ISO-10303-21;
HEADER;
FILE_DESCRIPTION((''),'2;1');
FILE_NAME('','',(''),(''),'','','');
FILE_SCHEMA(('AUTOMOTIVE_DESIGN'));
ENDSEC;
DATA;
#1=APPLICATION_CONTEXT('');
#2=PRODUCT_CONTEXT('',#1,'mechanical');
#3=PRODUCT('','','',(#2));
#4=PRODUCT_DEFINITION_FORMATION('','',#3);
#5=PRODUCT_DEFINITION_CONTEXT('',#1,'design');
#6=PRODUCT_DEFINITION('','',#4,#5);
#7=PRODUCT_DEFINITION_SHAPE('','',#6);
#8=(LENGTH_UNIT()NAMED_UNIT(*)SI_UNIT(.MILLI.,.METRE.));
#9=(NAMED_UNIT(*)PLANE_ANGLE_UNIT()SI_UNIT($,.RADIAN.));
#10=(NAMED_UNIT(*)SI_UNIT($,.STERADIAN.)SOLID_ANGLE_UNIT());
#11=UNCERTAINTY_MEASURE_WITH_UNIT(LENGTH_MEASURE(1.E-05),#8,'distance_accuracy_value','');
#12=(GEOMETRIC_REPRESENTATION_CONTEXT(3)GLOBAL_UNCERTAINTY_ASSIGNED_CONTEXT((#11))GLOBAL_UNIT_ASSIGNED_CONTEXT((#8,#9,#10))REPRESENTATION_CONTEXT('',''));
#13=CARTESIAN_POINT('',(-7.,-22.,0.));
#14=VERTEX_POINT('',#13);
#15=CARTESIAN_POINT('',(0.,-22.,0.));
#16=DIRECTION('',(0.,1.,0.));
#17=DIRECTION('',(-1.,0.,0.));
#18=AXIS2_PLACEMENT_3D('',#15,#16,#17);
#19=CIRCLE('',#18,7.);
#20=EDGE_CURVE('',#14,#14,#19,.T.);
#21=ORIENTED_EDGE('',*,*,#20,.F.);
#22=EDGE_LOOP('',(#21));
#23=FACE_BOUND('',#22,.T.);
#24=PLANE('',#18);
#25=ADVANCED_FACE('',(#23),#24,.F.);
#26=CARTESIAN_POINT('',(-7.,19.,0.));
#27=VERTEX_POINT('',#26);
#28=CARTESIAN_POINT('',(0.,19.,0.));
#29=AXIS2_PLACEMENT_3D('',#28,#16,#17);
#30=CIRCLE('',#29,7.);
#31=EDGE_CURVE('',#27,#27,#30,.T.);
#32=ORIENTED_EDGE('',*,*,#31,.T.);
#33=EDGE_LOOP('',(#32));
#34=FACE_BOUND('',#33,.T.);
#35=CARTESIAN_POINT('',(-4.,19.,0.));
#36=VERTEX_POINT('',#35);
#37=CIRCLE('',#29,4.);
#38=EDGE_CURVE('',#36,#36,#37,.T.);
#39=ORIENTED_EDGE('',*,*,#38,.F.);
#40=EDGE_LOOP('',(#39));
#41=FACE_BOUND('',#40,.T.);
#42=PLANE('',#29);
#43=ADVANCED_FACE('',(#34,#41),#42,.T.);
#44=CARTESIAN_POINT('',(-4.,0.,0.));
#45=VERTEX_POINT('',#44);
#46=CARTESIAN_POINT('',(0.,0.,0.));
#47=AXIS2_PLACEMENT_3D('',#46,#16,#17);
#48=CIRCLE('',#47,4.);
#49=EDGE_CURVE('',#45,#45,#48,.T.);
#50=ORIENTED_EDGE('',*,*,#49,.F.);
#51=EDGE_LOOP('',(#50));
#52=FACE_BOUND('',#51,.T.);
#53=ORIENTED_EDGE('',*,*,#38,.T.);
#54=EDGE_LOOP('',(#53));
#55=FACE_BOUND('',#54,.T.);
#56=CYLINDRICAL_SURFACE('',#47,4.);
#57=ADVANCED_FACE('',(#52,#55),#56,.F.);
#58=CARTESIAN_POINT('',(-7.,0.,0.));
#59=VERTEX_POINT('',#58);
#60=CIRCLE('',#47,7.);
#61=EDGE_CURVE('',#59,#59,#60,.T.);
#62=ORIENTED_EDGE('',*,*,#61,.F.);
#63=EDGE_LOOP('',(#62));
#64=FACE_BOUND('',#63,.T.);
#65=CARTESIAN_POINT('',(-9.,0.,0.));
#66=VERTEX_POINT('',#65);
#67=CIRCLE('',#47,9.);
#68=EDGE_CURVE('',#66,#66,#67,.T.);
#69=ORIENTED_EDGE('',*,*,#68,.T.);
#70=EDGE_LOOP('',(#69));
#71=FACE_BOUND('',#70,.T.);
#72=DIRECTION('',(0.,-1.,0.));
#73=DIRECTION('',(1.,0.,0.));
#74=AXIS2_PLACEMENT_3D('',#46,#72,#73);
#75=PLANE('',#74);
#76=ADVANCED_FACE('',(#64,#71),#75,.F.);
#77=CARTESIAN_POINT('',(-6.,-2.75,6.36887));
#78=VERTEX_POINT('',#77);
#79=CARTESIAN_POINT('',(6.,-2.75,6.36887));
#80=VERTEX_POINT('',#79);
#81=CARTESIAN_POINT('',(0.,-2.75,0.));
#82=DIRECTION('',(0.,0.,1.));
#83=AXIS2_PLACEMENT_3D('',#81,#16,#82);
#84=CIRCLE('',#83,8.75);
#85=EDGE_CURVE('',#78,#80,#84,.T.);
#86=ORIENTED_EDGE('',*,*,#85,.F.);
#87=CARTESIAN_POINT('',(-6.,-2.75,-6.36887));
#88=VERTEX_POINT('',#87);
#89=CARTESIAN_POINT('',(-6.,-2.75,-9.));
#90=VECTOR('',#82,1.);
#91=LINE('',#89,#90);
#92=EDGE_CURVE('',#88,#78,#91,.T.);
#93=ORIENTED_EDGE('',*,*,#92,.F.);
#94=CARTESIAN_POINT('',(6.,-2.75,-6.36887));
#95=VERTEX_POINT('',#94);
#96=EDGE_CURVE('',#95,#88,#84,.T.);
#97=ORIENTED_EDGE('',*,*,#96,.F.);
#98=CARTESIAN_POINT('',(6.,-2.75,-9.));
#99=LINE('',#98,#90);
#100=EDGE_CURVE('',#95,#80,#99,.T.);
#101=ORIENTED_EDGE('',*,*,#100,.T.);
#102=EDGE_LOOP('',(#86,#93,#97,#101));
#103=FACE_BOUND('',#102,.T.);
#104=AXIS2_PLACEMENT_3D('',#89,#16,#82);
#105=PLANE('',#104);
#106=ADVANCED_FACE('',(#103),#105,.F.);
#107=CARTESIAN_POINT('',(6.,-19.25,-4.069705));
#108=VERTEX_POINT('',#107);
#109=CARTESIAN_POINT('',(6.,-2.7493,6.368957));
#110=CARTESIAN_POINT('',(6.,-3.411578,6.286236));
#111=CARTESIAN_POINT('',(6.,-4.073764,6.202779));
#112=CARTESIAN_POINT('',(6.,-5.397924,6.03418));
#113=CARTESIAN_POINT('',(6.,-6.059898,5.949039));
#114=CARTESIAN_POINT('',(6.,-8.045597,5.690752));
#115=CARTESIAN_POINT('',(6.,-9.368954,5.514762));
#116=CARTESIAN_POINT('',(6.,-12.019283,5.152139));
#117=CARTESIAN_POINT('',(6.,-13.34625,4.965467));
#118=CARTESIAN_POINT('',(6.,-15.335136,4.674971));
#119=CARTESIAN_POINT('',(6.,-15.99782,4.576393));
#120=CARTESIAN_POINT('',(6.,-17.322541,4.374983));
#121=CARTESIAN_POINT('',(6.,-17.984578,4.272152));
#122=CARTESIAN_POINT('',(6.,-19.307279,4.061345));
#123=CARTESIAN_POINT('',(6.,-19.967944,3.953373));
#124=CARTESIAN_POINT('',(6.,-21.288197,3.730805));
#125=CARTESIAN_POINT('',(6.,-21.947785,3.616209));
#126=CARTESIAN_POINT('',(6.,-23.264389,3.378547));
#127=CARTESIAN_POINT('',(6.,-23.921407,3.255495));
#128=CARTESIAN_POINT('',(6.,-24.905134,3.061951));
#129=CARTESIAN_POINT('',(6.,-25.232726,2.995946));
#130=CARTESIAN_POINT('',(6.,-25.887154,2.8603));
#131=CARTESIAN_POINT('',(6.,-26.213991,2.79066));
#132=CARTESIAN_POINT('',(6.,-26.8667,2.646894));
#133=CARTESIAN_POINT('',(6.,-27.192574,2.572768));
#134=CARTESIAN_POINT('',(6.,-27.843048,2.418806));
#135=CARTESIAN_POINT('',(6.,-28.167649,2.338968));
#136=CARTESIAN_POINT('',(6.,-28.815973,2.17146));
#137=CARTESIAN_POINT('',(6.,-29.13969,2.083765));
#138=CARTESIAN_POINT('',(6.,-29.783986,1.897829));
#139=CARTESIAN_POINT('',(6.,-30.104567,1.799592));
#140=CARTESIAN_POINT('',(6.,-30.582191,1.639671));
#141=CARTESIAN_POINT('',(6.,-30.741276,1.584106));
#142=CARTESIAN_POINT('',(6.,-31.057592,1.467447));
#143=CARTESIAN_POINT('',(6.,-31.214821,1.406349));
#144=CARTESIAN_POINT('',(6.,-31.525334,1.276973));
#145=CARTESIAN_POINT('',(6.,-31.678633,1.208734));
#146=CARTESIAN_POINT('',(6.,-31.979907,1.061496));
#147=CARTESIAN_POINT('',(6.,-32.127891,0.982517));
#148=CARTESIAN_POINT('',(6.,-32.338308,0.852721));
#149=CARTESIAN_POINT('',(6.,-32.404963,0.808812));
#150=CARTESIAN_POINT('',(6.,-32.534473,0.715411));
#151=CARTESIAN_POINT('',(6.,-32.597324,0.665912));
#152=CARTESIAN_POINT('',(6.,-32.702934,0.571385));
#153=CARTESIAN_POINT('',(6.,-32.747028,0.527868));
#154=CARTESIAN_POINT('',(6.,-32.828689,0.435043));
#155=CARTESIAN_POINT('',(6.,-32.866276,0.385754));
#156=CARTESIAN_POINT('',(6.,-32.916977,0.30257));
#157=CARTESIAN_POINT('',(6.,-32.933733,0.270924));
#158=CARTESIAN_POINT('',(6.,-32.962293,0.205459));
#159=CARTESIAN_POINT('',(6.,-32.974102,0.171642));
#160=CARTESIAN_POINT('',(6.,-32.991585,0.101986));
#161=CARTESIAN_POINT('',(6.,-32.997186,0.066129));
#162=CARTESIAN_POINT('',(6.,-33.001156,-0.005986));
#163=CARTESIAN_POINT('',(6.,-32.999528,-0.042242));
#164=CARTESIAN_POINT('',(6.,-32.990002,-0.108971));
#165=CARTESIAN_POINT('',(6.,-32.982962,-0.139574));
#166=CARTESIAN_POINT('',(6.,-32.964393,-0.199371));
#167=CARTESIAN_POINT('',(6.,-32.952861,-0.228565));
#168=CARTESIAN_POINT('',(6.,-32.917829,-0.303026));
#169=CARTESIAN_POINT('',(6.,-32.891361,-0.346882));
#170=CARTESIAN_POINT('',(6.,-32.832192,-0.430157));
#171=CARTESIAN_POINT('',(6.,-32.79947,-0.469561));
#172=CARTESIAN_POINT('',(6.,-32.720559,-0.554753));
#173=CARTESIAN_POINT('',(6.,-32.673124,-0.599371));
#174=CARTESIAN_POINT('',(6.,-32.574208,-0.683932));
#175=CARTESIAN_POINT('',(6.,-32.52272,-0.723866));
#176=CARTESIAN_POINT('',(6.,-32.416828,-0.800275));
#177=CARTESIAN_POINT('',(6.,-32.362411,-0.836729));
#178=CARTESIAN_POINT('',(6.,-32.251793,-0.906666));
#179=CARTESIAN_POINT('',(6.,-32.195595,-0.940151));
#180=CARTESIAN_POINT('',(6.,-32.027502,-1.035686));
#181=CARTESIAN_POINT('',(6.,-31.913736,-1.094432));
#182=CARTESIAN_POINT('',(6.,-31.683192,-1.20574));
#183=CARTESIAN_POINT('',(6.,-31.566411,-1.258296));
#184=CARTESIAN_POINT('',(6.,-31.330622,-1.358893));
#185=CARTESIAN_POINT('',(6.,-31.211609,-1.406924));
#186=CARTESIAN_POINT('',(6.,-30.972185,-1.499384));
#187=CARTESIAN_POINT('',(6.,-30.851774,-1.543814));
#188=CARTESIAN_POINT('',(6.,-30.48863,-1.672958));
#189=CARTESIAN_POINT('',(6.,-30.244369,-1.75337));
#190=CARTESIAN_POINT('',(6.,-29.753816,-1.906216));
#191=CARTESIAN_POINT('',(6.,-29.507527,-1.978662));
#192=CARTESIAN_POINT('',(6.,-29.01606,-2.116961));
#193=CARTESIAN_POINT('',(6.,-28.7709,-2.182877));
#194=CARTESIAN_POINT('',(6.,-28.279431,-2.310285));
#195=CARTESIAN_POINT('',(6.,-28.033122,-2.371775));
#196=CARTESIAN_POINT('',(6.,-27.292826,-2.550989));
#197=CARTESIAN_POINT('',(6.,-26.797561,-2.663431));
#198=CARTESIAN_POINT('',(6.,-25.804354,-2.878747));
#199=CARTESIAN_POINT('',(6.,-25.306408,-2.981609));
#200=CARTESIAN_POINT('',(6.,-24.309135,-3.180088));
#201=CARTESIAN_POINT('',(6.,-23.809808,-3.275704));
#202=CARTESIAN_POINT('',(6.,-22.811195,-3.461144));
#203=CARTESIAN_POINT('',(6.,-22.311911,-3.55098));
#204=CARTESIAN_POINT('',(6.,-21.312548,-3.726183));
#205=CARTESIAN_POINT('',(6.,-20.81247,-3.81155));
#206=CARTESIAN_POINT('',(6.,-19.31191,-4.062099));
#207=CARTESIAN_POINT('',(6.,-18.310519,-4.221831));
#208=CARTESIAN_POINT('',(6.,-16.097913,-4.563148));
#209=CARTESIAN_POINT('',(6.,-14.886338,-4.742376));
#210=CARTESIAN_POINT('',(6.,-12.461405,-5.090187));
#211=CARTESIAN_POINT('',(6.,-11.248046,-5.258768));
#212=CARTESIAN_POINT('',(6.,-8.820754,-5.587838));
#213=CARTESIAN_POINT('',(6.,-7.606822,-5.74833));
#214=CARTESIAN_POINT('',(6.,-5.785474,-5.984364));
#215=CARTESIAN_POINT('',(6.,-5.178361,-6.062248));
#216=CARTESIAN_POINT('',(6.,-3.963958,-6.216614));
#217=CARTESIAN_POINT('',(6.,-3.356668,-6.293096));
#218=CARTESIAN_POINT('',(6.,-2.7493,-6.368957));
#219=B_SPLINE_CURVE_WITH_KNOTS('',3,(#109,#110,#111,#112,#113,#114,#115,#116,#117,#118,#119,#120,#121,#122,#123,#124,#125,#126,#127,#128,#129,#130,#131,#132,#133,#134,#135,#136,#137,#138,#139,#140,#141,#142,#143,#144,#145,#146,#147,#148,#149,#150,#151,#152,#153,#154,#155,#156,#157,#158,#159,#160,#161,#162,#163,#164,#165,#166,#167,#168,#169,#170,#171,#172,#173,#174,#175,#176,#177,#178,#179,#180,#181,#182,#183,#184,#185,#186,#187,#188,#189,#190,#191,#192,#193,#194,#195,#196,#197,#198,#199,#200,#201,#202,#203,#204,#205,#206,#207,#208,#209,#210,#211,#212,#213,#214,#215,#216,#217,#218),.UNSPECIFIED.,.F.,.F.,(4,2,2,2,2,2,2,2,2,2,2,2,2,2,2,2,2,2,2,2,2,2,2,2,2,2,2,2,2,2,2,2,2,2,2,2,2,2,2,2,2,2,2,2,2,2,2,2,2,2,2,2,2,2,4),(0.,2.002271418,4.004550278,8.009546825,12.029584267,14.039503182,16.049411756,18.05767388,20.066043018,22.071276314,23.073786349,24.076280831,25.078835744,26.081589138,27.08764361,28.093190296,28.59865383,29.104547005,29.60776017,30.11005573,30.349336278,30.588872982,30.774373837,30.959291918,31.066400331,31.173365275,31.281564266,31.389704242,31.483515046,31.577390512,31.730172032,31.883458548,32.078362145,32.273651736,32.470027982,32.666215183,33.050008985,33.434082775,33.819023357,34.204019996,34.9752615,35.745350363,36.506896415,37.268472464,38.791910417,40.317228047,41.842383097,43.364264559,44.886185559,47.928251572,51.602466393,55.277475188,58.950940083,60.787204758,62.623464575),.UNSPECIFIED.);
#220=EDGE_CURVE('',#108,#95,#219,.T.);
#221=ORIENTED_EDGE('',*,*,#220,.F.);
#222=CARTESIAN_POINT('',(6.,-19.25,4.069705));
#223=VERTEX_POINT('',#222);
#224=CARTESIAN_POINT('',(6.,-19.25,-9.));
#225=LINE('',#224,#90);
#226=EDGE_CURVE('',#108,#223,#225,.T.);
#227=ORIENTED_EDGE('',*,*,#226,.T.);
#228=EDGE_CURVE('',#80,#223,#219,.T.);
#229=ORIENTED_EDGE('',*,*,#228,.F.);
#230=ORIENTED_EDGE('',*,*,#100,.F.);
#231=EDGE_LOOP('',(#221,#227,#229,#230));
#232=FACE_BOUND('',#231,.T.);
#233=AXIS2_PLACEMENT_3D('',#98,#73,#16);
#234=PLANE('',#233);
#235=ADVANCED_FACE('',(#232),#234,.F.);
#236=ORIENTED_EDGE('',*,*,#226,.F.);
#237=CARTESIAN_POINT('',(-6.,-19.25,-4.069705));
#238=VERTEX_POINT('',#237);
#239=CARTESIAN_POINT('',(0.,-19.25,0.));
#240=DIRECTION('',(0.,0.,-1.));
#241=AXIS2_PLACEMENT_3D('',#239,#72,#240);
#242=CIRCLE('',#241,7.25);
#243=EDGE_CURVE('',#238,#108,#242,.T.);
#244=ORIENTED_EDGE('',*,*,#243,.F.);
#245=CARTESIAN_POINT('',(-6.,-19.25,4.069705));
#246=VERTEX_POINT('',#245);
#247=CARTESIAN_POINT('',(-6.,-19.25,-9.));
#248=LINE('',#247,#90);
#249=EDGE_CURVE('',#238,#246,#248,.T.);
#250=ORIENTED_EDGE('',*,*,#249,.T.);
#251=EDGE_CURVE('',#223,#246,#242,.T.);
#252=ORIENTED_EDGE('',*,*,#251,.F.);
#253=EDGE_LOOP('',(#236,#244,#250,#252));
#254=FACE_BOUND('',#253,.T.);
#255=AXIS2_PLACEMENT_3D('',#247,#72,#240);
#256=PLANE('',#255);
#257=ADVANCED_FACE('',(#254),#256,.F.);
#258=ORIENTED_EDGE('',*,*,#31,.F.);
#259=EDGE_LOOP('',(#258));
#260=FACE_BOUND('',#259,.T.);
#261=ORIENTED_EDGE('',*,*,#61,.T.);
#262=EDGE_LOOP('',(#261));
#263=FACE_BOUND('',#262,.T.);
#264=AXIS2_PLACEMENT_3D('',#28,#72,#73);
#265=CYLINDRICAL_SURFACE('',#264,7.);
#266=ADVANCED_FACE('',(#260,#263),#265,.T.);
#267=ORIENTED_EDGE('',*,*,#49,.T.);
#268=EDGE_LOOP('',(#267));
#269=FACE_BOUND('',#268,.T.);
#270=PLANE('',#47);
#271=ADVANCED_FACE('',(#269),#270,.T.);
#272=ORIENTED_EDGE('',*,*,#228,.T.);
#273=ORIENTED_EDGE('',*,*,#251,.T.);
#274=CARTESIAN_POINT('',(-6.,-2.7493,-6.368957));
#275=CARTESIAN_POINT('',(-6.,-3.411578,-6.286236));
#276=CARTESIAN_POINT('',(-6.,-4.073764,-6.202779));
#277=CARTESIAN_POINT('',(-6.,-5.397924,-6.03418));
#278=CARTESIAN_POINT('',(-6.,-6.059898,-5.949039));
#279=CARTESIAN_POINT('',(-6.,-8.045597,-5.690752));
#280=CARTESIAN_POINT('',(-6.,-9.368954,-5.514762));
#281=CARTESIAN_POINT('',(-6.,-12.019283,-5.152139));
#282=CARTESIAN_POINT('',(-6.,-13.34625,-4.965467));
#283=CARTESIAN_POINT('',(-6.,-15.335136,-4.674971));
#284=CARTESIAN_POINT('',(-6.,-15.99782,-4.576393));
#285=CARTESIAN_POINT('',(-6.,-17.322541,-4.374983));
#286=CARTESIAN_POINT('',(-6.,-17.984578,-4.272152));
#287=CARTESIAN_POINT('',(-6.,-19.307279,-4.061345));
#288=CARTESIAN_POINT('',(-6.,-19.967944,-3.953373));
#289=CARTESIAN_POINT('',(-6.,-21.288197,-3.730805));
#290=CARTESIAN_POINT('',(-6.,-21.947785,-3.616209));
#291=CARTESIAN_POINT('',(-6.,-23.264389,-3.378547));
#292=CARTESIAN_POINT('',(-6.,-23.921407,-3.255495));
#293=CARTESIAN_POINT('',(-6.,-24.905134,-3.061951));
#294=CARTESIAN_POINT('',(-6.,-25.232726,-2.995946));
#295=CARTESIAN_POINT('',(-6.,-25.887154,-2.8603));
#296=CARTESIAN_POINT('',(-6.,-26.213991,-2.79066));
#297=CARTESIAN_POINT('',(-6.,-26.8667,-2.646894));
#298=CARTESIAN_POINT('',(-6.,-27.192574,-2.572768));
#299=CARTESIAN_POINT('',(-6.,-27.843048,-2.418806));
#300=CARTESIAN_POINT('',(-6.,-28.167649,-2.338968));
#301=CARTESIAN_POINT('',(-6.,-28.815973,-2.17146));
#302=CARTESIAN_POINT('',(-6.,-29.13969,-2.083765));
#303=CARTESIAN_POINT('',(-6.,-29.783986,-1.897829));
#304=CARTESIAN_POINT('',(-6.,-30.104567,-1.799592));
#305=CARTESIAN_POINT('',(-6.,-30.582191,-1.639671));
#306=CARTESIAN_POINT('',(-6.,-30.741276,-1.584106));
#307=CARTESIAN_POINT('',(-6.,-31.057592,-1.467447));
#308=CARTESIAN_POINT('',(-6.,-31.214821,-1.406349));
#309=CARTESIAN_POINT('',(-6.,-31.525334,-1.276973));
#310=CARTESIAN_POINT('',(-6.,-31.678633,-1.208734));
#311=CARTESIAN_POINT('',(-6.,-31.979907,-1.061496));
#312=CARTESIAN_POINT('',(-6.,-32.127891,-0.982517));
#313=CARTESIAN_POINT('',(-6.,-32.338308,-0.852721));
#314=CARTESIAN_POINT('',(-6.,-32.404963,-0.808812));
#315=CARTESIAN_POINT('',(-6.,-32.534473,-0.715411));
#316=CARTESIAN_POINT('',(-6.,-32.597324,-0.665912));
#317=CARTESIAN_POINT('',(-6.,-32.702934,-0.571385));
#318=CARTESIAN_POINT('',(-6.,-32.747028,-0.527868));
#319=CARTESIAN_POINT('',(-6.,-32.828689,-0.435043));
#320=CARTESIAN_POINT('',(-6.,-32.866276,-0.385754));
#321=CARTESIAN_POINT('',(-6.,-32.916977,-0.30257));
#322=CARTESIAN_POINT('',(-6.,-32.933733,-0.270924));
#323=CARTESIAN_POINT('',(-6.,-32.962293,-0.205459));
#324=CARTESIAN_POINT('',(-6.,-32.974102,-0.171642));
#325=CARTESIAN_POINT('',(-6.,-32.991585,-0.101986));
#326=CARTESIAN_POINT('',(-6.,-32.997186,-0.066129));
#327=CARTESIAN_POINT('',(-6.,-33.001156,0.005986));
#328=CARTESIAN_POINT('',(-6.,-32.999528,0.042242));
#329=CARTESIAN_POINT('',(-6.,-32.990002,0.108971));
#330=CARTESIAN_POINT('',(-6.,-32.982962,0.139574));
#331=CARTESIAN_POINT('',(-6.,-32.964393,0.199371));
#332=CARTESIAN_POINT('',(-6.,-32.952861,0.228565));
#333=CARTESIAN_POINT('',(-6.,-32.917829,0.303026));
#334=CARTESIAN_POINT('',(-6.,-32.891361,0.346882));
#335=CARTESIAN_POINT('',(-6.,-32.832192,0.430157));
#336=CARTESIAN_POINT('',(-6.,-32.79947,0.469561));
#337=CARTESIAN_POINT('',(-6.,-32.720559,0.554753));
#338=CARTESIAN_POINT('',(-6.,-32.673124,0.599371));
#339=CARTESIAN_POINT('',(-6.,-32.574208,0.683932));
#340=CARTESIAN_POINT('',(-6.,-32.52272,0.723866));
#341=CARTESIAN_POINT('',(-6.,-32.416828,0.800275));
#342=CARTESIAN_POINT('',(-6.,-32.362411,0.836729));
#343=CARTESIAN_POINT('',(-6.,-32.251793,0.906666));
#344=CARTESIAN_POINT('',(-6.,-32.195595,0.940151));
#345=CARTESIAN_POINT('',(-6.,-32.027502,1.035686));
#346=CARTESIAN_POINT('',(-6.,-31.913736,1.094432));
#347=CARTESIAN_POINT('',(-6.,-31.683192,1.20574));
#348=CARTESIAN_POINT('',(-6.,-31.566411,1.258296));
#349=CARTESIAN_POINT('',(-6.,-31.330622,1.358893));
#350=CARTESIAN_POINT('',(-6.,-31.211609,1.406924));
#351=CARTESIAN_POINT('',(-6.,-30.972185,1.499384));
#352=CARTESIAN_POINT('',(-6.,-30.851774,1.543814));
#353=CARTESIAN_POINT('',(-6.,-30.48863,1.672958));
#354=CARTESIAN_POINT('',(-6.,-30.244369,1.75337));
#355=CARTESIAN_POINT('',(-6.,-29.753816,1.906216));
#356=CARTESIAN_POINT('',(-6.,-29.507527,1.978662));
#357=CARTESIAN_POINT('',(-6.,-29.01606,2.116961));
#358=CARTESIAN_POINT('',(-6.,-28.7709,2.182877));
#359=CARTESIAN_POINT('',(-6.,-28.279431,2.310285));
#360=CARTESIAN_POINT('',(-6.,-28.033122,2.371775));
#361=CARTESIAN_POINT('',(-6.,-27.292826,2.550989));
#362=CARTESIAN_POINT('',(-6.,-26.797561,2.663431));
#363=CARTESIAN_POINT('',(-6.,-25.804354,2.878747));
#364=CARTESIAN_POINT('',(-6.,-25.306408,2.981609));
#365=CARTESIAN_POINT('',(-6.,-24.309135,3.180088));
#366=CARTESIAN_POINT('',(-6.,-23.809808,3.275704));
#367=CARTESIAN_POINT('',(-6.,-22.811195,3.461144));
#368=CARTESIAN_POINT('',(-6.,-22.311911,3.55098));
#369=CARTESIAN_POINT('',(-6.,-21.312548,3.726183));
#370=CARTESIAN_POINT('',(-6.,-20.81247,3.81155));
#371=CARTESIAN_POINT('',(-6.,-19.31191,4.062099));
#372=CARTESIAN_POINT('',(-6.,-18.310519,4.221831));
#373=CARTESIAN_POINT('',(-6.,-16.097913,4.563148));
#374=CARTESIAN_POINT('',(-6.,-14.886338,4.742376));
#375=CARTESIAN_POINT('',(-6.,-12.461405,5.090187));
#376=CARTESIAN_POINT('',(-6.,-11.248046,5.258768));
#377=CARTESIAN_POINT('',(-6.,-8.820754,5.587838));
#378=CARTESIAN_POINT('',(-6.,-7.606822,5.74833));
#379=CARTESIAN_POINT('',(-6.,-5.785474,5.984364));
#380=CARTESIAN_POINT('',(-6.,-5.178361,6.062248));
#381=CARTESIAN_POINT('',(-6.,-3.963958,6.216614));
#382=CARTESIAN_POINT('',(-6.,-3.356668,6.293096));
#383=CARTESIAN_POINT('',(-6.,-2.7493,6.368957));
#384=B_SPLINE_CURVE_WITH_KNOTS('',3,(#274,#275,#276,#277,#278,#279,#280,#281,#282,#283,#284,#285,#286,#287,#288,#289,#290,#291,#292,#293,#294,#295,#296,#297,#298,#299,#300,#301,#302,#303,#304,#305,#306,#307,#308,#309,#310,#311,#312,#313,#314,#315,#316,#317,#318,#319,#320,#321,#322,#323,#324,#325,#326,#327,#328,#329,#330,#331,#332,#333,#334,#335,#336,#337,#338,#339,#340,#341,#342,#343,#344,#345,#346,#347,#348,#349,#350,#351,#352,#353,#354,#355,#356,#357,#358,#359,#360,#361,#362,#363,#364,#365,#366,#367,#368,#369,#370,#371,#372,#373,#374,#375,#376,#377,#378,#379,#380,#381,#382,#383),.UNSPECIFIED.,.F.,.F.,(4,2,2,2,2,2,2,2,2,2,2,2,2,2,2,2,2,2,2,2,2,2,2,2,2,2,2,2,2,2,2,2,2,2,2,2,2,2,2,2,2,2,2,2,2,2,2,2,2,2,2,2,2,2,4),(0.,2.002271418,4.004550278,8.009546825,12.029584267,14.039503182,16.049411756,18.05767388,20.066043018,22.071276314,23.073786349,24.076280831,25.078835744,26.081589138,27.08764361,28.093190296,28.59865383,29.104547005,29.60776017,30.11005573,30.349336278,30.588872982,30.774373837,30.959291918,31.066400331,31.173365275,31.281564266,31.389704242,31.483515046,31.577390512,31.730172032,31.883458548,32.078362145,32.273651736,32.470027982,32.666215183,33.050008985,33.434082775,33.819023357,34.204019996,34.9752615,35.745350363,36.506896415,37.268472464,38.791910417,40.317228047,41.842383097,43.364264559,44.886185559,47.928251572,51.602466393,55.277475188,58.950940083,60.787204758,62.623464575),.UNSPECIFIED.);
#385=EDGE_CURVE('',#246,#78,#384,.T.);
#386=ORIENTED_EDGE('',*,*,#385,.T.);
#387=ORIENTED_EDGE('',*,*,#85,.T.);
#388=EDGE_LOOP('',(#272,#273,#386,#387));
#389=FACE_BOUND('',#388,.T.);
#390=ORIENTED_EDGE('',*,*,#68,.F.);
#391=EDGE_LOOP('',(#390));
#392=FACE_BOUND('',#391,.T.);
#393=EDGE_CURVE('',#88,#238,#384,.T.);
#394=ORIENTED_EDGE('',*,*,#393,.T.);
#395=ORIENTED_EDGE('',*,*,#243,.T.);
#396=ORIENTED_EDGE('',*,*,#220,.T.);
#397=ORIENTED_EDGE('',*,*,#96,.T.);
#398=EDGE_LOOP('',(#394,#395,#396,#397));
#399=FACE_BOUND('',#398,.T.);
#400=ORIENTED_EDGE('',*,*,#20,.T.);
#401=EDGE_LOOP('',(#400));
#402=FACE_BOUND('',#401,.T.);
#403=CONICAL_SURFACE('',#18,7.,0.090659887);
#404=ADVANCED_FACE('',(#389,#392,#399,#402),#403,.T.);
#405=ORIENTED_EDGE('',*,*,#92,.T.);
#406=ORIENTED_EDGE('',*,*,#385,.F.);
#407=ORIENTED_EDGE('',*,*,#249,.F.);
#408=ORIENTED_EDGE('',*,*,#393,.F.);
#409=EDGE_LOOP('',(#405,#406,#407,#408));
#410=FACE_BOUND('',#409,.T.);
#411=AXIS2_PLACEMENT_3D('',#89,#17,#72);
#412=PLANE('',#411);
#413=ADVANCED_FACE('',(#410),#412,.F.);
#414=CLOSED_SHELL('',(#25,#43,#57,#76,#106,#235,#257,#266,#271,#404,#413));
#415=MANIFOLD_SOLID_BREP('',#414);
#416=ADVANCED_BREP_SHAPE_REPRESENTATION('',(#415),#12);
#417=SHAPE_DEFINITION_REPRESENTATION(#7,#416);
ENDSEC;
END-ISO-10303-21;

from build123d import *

# Parameters (mm, degrees)
SKETCH3_R               = 7
BOSS_EXTRUDE1_DEPTH     = 19
SKETCH4_R               = 4
CUT_EXTRUDE1_DEPTH      = 19
CUT_EXTRUDE2_DEPTH      = 26.416530054
CUT_EXTRUDE2_DEPTH_BACK = 26.416530054
SKETCH5_W               = 12
SKETCH5_H               = 16.5


with BuildPart() as part:
    # Sketch2 → Revolve2 (revolve)
    with BuildSketch(Plane.XY, mode=Mode.PRIVATE) as revolve2_sk:
        Polygon((0, 0), (9, 0), (7, -22), (0, -22), align=None)
    revolve(revolve2_sk.sketch.rotate(Axis((0, 0, 0), (0, -1, 0)), 180), axis=Axis((0, 0, 0), (0, -1, 0)))

    # Sketch3 → Boss-Extrude1 (add)
    with BuildSketch(Plane(origin=(0, 0, 0), x_dir=(1, 0, 0), z_dir=(0, 1, 0))):
        with Locations(Location((0, 0, 0), (0, 0, 180))):
            Circle(SKETCH3_R)
    extrude(amount=BOSS_EXTRUDE1_DEPTH)

    # Sketch4 → Cut-Extrude1 (cut)
    with BuildSketch(Plane(origin=(0, 19, 0), x_dir=(1, 0, 0), z_dir=(0, 1, 0))):
        with Locations(Location((0, 0, 0), (0, 0, 180))):
            Circle(SKETCH4_R)
    extrude(amount=-CUT_EXTRUDE1_DEPTH, mode=Mode.SUBTRACT)

    # Sketch5 → Cut-Extrude2 (cut, two sides: drawn at the far end of the back side and taken through both)
    with BuildSketch(Plane.XY.offset(-CUT_EXTRUDE2_DEPTH_BACK)):
        with Locations((0, -11)):
            Rectangle(SKETCH5_W, SKETCH5_H)
    extrude(amount=CUT_EXTRUDE2_DEPTH + CUT_EXTRUDE2_DEPTH_BACK, mode=Mode.SUBTRACT)


solid = part.part
